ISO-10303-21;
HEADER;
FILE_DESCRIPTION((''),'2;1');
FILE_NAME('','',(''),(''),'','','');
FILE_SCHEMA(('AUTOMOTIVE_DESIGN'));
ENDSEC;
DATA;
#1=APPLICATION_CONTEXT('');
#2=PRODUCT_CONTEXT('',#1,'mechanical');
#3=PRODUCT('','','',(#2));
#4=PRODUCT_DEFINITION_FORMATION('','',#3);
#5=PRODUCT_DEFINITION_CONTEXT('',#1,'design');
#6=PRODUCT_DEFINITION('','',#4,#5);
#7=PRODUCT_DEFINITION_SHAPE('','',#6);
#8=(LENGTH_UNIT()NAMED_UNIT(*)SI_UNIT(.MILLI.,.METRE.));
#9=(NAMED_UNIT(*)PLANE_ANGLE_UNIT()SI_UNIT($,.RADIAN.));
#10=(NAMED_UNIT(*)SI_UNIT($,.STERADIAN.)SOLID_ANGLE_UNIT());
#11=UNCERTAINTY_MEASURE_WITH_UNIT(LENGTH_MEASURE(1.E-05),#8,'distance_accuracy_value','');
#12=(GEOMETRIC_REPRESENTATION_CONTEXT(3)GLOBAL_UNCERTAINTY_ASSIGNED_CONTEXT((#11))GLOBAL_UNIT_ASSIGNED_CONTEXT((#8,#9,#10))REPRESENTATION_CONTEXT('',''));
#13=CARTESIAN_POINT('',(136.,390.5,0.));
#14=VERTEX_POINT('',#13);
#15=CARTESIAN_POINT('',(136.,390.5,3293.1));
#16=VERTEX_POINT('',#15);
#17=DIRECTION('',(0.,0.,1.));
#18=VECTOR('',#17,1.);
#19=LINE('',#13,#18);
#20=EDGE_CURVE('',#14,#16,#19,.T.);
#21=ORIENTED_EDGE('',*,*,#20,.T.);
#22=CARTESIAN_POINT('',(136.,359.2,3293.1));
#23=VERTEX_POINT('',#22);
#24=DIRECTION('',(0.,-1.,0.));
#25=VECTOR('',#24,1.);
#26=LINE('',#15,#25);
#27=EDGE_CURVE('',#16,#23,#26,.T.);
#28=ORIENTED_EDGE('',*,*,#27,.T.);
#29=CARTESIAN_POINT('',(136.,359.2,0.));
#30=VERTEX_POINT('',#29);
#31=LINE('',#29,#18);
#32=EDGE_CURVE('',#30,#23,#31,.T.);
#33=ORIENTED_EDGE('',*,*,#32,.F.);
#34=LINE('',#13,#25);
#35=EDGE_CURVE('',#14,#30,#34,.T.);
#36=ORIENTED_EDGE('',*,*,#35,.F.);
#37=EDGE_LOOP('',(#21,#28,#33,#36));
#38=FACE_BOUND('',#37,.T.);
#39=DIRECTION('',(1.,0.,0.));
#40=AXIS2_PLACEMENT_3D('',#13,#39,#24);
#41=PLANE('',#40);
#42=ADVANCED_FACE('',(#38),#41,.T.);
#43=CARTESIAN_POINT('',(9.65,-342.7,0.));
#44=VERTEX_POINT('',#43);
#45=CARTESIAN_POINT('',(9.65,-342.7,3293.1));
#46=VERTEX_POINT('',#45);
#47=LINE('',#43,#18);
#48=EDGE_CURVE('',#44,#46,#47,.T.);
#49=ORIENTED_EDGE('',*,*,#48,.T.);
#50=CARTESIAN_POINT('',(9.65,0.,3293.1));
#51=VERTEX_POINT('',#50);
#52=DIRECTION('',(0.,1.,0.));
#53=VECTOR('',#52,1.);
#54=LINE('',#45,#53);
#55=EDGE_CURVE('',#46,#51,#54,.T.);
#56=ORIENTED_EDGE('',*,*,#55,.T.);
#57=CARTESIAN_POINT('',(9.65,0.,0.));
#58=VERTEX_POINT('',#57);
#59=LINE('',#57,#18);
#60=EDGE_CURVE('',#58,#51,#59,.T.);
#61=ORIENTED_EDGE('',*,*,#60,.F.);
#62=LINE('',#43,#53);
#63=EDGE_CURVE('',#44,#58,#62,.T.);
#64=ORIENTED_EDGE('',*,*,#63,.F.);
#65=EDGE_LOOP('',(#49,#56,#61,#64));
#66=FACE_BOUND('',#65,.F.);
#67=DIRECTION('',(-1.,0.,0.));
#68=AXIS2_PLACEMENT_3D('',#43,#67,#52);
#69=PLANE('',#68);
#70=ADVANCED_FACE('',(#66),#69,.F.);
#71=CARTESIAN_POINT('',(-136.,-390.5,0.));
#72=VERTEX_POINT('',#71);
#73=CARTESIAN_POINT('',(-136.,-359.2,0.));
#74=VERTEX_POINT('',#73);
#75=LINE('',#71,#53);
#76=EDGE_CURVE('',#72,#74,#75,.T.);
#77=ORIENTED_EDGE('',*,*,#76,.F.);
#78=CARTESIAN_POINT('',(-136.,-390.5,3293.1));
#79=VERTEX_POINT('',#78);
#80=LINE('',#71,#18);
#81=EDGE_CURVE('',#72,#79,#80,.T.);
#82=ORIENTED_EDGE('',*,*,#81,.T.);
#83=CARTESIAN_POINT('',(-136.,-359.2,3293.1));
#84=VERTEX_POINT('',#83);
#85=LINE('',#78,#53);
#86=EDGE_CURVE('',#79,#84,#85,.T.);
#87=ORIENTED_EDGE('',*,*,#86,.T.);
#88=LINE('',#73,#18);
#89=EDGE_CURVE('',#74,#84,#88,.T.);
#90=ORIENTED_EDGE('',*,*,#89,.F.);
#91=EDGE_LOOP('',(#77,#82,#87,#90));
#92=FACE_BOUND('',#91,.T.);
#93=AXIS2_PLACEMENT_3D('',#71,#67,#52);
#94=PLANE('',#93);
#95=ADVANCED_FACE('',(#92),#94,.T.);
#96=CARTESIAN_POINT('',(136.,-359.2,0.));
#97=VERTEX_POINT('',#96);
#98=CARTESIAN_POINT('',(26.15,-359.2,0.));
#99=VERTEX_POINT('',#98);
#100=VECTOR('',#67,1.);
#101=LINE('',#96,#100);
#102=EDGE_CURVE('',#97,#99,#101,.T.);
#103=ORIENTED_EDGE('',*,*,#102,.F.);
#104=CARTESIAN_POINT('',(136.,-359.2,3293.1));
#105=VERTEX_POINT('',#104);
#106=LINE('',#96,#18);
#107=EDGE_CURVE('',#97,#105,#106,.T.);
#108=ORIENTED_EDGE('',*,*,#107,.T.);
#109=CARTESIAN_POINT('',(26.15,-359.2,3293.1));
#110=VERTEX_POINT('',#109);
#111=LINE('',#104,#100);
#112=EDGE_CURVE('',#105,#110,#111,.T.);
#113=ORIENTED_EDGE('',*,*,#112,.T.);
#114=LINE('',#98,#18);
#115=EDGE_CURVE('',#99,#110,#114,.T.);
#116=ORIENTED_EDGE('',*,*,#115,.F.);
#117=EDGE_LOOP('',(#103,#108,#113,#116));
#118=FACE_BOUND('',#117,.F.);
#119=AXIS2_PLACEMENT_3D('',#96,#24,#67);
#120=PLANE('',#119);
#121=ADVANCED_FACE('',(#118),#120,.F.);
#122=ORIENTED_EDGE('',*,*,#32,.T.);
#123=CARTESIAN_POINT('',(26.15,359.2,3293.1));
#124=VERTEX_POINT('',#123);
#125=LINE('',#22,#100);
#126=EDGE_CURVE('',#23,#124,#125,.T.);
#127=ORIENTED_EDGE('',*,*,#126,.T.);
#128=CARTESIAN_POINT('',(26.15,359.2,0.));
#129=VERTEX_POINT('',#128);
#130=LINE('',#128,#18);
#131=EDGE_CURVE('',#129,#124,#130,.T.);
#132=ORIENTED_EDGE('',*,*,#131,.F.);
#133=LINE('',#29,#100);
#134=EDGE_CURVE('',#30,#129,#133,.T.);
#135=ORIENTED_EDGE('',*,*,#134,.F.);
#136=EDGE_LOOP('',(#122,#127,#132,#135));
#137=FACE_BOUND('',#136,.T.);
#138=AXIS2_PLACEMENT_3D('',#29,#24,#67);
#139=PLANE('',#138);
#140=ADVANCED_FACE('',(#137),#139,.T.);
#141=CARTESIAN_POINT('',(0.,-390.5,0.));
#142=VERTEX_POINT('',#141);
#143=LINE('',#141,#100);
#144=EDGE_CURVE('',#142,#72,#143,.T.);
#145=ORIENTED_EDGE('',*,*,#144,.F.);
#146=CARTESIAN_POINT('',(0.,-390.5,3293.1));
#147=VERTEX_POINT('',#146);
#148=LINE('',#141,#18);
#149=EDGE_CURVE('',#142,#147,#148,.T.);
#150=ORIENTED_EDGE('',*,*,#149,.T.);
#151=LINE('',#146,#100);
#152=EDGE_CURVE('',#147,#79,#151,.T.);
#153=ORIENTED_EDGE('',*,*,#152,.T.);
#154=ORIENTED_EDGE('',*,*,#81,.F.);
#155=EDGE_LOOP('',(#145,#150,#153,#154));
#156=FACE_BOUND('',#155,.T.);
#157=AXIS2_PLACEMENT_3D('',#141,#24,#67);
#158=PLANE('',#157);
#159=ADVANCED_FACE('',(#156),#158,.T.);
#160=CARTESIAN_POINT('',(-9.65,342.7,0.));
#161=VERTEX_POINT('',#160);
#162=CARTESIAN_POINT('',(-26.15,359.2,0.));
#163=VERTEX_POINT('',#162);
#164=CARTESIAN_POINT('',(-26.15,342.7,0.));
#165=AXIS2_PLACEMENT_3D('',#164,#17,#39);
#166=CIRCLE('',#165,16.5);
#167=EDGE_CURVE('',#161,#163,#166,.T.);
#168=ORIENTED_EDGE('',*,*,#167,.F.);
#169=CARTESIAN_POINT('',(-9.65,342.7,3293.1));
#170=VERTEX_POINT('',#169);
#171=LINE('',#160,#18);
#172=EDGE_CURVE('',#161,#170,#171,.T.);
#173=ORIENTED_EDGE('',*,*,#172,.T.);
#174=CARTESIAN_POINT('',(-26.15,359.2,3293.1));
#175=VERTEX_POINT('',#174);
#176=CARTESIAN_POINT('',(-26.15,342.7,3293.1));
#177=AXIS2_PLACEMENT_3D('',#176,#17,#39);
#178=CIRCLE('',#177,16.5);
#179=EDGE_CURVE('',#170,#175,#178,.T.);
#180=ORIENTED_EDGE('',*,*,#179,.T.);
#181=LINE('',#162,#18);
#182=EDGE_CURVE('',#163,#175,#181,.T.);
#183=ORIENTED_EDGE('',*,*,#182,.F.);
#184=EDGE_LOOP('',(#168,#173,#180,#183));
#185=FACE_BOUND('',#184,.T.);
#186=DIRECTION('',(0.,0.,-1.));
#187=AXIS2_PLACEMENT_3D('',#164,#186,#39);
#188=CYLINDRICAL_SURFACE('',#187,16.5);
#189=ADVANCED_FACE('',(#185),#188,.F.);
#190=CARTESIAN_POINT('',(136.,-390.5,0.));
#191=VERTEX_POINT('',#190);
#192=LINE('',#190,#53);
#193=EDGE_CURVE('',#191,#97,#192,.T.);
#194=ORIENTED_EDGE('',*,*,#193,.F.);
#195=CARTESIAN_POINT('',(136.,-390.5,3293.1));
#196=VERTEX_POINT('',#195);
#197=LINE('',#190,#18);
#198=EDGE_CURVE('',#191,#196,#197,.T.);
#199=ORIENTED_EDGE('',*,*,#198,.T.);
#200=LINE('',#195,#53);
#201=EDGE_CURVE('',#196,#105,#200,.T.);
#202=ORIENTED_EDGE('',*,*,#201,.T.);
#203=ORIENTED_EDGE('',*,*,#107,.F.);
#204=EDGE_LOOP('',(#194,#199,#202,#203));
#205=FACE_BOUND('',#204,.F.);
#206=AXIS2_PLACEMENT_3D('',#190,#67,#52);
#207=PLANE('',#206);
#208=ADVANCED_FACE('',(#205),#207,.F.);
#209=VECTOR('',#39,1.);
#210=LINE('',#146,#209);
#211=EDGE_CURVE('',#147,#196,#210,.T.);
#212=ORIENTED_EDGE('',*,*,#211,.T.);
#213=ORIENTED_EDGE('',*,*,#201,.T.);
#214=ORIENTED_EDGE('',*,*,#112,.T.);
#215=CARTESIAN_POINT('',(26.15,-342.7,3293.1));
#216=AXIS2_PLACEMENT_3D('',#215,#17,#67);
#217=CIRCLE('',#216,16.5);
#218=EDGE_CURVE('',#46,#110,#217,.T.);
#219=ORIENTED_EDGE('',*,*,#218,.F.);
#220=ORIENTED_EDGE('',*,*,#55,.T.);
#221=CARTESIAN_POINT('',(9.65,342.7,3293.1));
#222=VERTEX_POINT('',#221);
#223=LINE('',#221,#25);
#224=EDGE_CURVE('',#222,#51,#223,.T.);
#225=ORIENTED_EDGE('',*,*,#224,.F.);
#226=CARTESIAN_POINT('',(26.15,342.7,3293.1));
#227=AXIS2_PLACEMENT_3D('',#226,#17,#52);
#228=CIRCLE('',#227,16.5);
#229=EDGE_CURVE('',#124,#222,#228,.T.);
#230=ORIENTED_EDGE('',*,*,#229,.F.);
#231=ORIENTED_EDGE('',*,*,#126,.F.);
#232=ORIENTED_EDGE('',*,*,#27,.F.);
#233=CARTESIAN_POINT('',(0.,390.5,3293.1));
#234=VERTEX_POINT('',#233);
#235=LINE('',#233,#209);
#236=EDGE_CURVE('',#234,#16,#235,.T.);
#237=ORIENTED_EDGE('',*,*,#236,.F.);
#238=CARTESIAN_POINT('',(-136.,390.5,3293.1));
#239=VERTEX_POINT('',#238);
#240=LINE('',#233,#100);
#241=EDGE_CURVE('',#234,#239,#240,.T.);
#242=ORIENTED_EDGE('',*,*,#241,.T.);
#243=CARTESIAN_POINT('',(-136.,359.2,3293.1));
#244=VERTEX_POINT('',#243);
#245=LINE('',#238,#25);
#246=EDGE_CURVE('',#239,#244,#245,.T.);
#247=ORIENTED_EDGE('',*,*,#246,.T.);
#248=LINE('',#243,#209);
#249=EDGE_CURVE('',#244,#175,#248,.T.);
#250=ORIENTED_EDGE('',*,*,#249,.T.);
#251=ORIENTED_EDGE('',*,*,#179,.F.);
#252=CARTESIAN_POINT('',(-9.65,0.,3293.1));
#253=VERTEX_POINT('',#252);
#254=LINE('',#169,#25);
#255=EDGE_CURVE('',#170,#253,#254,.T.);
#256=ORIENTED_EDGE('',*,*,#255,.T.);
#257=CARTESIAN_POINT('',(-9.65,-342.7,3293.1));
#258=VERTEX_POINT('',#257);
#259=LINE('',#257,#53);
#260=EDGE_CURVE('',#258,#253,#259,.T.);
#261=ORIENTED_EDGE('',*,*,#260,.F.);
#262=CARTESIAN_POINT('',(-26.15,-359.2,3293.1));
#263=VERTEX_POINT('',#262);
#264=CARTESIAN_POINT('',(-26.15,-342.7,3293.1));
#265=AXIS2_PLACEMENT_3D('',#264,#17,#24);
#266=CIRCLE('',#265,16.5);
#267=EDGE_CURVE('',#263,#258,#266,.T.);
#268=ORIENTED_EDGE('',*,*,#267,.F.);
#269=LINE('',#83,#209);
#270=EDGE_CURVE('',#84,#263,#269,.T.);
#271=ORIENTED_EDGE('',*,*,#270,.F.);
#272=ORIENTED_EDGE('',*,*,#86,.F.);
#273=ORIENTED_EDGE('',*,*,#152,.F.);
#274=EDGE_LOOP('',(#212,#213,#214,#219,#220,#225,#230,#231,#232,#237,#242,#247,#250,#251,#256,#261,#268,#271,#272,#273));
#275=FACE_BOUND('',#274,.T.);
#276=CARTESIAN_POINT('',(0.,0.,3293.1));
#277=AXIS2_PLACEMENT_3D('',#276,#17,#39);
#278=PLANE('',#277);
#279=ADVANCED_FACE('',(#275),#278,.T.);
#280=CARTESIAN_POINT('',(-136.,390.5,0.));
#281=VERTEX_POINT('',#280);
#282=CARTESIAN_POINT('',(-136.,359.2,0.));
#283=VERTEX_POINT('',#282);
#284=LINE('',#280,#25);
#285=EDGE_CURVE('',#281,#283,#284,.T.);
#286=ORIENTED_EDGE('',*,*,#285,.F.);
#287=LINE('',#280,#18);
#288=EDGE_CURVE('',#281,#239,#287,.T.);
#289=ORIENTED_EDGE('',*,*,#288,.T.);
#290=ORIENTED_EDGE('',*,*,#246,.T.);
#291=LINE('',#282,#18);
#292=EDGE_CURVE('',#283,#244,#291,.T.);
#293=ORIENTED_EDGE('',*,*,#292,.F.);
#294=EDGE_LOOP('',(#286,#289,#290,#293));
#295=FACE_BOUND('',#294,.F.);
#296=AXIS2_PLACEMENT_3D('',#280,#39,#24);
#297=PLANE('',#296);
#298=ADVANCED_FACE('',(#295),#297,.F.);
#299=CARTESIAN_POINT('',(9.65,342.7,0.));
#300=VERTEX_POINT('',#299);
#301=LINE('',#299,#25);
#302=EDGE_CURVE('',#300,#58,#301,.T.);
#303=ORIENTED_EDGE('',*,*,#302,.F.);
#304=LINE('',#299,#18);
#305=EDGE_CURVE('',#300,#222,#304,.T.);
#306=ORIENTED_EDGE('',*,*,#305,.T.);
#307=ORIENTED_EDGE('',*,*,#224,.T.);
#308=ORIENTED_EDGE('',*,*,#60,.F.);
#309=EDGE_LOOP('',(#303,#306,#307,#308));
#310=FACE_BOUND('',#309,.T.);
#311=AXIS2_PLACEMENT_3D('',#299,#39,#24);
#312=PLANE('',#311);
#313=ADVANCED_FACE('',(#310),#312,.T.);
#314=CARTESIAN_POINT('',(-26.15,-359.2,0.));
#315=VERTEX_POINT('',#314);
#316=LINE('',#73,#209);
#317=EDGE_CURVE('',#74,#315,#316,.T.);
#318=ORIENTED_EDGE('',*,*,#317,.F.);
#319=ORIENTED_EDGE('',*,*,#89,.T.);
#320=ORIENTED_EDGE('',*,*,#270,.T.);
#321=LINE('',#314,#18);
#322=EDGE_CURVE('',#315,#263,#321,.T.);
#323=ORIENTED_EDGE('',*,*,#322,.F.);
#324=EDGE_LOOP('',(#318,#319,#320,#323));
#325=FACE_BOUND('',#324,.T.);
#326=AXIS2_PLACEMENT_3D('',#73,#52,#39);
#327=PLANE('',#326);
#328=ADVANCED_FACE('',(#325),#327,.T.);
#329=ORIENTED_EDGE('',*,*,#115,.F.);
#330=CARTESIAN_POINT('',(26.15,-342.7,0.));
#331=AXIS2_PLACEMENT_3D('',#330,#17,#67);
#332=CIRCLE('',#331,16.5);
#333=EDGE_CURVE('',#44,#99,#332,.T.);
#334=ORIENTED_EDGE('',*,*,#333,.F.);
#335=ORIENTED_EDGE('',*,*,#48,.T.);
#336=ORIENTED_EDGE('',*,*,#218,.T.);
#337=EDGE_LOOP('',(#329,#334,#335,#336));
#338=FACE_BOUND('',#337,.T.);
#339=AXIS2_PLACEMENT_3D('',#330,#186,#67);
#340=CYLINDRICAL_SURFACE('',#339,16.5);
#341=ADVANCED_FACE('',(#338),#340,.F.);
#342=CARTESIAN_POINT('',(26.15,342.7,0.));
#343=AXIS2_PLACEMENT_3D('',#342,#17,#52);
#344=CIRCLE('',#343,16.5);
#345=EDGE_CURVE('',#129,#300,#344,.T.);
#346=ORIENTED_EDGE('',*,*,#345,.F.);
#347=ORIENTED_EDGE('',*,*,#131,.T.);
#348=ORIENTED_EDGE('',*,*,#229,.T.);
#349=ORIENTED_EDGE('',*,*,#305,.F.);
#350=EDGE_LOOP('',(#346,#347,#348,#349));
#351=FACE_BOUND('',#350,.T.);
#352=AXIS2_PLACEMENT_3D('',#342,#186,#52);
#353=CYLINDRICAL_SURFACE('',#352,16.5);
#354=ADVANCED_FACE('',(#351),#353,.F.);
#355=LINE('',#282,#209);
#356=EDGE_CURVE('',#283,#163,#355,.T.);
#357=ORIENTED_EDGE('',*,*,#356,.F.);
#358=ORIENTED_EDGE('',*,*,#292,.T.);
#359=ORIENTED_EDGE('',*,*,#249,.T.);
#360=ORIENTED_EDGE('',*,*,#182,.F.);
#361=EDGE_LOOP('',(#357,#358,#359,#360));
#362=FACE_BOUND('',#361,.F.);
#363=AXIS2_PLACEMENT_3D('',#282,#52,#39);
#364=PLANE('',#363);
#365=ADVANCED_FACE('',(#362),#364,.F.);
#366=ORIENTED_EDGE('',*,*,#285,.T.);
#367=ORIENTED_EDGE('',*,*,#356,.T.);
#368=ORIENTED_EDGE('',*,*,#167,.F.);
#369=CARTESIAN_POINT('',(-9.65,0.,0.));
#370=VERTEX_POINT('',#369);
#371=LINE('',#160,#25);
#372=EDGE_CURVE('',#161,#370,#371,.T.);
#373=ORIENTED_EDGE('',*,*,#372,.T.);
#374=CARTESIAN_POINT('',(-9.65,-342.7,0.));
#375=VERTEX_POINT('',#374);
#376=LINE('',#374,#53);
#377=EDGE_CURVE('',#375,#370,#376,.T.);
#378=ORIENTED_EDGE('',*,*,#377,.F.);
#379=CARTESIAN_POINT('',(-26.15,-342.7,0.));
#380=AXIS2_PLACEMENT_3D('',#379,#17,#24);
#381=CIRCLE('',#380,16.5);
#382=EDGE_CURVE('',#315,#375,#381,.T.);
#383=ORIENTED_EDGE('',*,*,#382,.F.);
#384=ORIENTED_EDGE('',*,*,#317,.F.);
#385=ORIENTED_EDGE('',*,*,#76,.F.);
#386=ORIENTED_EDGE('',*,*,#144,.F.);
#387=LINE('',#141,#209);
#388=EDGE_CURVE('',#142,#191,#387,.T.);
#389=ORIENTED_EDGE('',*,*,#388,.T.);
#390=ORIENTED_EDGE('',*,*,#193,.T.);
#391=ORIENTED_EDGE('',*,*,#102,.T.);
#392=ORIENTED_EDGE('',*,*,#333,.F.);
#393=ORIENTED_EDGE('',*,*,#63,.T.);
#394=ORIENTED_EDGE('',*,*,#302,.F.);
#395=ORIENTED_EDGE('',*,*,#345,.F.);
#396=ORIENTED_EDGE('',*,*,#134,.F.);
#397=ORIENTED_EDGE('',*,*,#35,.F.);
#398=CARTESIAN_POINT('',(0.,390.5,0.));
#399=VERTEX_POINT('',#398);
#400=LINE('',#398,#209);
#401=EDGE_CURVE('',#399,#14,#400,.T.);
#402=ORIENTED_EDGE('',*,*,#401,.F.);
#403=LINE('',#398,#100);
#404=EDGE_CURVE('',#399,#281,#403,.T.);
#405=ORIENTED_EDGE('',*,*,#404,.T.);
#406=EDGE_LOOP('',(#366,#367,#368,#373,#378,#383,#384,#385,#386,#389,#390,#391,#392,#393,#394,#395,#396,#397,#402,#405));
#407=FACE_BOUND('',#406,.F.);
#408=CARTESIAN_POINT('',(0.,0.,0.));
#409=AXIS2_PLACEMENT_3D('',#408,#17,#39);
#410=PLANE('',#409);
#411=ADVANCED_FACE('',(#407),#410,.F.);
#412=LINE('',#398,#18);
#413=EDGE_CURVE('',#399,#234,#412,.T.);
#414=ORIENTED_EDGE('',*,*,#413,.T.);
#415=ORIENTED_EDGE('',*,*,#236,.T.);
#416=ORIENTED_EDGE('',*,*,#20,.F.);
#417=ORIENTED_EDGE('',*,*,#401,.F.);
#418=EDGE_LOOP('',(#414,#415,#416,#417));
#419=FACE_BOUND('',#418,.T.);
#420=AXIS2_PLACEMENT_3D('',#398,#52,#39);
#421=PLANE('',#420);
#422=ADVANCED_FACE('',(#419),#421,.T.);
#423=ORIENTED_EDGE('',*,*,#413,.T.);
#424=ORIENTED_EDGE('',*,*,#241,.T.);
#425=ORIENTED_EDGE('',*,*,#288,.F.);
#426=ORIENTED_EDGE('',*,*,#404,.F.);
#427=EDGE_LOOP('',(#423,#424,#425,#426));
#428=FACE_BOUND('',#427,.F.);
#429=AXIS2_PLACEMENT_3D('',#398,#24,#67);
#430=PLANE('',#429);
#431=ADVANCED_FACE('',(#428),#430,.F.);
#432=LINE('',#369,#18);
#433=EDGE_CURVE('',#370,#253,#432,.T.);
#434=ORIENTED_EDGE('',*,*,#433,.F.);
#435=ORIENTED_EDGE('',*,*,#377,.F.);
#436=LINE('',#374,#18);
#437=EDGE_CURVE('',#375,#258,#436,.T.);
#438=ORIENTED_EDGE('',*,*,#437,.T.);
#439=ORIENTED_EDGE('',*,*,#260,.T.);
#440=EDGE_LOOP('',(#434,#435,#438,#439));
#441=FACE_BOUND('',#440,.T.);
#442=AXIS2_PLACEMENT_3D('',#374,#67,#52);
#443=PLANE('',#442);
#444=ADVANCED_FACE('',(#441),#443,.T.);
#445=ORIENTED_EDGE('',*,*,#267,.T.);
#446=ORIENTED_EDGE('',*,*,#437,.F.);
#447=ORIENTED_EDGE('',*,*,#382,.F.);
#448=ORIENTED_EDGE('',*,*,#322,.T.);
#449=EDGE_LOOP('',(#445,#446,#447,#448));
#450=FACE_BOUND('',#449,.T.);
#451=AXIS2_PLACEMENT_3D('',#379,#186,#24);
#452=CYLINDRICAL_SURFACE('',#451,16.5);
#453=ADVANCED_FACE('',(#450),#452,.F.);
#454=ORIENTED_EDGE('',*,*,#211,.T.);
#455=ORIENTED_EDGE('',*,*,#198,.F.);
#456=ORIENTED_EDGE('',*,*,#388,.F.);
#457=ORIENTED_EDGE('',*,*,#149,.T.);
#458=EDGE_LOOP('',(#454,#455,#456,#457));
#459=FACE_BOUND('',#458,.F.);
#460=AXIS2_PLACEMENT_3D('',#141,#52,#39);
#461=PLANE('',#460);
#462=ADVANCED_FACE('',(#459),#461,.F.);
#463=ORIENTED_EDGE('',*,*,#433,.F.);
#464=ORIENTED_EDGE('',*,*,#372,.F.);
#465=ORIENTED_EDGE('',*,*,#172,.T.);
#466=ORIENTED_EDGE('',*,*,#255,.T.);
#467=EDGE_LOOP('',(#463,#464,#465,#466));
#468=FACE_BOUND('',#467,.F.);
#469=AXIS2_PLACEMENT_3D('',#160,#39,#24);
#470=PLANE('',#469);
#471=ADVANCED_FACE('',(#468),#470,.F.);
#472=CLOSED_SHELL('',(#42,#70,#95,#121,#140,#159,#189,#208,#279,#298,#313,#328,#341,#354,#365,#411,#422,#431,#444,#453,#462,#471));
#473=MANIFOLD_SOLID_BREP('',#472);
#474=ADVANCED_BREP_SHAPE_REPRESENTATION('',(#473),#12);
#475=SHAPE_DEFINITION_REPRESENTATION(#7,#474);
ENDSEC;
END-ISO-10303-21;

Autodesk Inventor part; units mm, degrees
ref_plane "YZ Plane" through (0, 0, 0) normal (1, 0, 0) x (0, 1, 0)
ref_plane "Start plane" through (0, 0, 0) normal (0, 0, 1) x (1, 0, 0)
ref_plane "End plane" through (0, 0, 3293.1) normal (0, 0, 1) x (1, 0, 0)
sketch "Sketch" plane through (0, 0, 0) normal (0, 0, 1) x (1, 0, 0)
  line L0 (-136, -390.5) -> (-136, -359.2)
  line L1 (-136, -359.2) -> (-26.15, -359.2)
  line L2 (-9.65, -342.7) -> (-9.65, 0)
  line L3 (-9.65, 0) -> (0, 0) construction
  line L4 (0, 0) -> (0, -390.5) construction
  line L5 (0, -390.5) -> (-136, -390.5)
  line L6 (-60, 0) -> (80, 0) construction
  line L7 (0, -60) -> (0, 80) construction
  line L8 (136, -390.5) -> (136, -359.2)
  line L9 (136, -359.2) -> (26.15, -359.2)
  line L10 (9.65, -342.7) -> (9.65, 0)
  line L11 (9.65, 0) -> (0, 0) construction
  line L12 (0, -390.5) -> (136, -390.5)
  line L13 (-136, 390.5) -> (-136, 359.2)
  line L14 (-136, 359.2) -> (-26.15, 359.2)
  line L15 (-9.65, 342.7) -> (-9.65, 0)
  line L16 (0, 390.5) -> (-136, 390.5)
  line L17 (136, 390.5) -> (136, 359.2)
  line L18 (136, 359.2) -> (26.15, 359.2)
  line L19 (0, 390.5) -> (136, 390.5)
  line L20 (9.65, 342.7) -> (9.65, 0)
  arc A0 (-9.65, 342.7) -> (-26.15, 359.2) centre (-26.15, 342.7) ccw
  arc A1 (26.15, 359.2) -> (9.65, 342.7) centre (26.15, 342.7) ccw
  arc A2 (9.65, -342.7) -> (26.15, -359.2) centre (26.15, -342.7) ccw
  arc A3 (-26.15, -359.2) -> (-9.65, -342.7) centre (-26.15, -342.7) ccw
  line L21 (0, 108) -> (0, -88) construction
  line L22 (-88, 0) -> (108, 0) construction
  point P0 (-9.65, -359.2)
  point P1 (9.65, -359.2)
  point P2 (-9.65, 359.2)
  point P3 (9.65, 359.2)
  dimension "d1" = 390.5
  dimension "d2" = 31.3
  dimension "d3" = 136
  dimension "d4" = 9.65
  dimension "d10" = 16.5
extrude "Body" add sketch "Sketch" along normal up to surface (3293.1 mm away) from surface at 0
sketch "Sketch4" plane through (0, 0, 0) normal (0, 0, 1) x (1, 0, 0)
  line L0 (0, 0) -> (10, 0)
ref_plane "Work Plane3" through (0, 0, 0) normal (0, -1, 0) x (1, 0, 0)
sketch "Sketch5" plane through (0, 0, 0) normal (0, -1, 0) x (1, 0, 0)
  line L0 (-2, 0) -> (12, 0) projected
  line L1 (-2, 3293.1) -> (12, 3293.1) projected
  dimension "d14" = 3293.1
equation "\"d1\" = 0.5 * G_H"
equation "\"d2\" = G_T1"
equation "\"d3\" = 0.5 * G_W"
equation "\"d4\" = 0.5 * G_T"
equation "\"d10\" = G_IR"
equation "\"d5\" = G_L"
equation "\"G_W\" = 272"
equation "\"G_H\" = 781"
equation "\"G_T\" = 19.3"
equation "\"G_T1\" = 31.3"
equation "\"G_IR\" = 16.5"
equation "\"G_L\" = d14"
equation "\"G_OFFSET_START\" = 0"
equation "\"G_OFFSET_END\" = 0"
equation "\"d12\" = G_OFFSET_END + B_L"
equation "\"B_L\" = 3293.1"
properties part number "AS 3679-1990 - 760 UB - 244 - 3293.1" material "Steel, Mild"
